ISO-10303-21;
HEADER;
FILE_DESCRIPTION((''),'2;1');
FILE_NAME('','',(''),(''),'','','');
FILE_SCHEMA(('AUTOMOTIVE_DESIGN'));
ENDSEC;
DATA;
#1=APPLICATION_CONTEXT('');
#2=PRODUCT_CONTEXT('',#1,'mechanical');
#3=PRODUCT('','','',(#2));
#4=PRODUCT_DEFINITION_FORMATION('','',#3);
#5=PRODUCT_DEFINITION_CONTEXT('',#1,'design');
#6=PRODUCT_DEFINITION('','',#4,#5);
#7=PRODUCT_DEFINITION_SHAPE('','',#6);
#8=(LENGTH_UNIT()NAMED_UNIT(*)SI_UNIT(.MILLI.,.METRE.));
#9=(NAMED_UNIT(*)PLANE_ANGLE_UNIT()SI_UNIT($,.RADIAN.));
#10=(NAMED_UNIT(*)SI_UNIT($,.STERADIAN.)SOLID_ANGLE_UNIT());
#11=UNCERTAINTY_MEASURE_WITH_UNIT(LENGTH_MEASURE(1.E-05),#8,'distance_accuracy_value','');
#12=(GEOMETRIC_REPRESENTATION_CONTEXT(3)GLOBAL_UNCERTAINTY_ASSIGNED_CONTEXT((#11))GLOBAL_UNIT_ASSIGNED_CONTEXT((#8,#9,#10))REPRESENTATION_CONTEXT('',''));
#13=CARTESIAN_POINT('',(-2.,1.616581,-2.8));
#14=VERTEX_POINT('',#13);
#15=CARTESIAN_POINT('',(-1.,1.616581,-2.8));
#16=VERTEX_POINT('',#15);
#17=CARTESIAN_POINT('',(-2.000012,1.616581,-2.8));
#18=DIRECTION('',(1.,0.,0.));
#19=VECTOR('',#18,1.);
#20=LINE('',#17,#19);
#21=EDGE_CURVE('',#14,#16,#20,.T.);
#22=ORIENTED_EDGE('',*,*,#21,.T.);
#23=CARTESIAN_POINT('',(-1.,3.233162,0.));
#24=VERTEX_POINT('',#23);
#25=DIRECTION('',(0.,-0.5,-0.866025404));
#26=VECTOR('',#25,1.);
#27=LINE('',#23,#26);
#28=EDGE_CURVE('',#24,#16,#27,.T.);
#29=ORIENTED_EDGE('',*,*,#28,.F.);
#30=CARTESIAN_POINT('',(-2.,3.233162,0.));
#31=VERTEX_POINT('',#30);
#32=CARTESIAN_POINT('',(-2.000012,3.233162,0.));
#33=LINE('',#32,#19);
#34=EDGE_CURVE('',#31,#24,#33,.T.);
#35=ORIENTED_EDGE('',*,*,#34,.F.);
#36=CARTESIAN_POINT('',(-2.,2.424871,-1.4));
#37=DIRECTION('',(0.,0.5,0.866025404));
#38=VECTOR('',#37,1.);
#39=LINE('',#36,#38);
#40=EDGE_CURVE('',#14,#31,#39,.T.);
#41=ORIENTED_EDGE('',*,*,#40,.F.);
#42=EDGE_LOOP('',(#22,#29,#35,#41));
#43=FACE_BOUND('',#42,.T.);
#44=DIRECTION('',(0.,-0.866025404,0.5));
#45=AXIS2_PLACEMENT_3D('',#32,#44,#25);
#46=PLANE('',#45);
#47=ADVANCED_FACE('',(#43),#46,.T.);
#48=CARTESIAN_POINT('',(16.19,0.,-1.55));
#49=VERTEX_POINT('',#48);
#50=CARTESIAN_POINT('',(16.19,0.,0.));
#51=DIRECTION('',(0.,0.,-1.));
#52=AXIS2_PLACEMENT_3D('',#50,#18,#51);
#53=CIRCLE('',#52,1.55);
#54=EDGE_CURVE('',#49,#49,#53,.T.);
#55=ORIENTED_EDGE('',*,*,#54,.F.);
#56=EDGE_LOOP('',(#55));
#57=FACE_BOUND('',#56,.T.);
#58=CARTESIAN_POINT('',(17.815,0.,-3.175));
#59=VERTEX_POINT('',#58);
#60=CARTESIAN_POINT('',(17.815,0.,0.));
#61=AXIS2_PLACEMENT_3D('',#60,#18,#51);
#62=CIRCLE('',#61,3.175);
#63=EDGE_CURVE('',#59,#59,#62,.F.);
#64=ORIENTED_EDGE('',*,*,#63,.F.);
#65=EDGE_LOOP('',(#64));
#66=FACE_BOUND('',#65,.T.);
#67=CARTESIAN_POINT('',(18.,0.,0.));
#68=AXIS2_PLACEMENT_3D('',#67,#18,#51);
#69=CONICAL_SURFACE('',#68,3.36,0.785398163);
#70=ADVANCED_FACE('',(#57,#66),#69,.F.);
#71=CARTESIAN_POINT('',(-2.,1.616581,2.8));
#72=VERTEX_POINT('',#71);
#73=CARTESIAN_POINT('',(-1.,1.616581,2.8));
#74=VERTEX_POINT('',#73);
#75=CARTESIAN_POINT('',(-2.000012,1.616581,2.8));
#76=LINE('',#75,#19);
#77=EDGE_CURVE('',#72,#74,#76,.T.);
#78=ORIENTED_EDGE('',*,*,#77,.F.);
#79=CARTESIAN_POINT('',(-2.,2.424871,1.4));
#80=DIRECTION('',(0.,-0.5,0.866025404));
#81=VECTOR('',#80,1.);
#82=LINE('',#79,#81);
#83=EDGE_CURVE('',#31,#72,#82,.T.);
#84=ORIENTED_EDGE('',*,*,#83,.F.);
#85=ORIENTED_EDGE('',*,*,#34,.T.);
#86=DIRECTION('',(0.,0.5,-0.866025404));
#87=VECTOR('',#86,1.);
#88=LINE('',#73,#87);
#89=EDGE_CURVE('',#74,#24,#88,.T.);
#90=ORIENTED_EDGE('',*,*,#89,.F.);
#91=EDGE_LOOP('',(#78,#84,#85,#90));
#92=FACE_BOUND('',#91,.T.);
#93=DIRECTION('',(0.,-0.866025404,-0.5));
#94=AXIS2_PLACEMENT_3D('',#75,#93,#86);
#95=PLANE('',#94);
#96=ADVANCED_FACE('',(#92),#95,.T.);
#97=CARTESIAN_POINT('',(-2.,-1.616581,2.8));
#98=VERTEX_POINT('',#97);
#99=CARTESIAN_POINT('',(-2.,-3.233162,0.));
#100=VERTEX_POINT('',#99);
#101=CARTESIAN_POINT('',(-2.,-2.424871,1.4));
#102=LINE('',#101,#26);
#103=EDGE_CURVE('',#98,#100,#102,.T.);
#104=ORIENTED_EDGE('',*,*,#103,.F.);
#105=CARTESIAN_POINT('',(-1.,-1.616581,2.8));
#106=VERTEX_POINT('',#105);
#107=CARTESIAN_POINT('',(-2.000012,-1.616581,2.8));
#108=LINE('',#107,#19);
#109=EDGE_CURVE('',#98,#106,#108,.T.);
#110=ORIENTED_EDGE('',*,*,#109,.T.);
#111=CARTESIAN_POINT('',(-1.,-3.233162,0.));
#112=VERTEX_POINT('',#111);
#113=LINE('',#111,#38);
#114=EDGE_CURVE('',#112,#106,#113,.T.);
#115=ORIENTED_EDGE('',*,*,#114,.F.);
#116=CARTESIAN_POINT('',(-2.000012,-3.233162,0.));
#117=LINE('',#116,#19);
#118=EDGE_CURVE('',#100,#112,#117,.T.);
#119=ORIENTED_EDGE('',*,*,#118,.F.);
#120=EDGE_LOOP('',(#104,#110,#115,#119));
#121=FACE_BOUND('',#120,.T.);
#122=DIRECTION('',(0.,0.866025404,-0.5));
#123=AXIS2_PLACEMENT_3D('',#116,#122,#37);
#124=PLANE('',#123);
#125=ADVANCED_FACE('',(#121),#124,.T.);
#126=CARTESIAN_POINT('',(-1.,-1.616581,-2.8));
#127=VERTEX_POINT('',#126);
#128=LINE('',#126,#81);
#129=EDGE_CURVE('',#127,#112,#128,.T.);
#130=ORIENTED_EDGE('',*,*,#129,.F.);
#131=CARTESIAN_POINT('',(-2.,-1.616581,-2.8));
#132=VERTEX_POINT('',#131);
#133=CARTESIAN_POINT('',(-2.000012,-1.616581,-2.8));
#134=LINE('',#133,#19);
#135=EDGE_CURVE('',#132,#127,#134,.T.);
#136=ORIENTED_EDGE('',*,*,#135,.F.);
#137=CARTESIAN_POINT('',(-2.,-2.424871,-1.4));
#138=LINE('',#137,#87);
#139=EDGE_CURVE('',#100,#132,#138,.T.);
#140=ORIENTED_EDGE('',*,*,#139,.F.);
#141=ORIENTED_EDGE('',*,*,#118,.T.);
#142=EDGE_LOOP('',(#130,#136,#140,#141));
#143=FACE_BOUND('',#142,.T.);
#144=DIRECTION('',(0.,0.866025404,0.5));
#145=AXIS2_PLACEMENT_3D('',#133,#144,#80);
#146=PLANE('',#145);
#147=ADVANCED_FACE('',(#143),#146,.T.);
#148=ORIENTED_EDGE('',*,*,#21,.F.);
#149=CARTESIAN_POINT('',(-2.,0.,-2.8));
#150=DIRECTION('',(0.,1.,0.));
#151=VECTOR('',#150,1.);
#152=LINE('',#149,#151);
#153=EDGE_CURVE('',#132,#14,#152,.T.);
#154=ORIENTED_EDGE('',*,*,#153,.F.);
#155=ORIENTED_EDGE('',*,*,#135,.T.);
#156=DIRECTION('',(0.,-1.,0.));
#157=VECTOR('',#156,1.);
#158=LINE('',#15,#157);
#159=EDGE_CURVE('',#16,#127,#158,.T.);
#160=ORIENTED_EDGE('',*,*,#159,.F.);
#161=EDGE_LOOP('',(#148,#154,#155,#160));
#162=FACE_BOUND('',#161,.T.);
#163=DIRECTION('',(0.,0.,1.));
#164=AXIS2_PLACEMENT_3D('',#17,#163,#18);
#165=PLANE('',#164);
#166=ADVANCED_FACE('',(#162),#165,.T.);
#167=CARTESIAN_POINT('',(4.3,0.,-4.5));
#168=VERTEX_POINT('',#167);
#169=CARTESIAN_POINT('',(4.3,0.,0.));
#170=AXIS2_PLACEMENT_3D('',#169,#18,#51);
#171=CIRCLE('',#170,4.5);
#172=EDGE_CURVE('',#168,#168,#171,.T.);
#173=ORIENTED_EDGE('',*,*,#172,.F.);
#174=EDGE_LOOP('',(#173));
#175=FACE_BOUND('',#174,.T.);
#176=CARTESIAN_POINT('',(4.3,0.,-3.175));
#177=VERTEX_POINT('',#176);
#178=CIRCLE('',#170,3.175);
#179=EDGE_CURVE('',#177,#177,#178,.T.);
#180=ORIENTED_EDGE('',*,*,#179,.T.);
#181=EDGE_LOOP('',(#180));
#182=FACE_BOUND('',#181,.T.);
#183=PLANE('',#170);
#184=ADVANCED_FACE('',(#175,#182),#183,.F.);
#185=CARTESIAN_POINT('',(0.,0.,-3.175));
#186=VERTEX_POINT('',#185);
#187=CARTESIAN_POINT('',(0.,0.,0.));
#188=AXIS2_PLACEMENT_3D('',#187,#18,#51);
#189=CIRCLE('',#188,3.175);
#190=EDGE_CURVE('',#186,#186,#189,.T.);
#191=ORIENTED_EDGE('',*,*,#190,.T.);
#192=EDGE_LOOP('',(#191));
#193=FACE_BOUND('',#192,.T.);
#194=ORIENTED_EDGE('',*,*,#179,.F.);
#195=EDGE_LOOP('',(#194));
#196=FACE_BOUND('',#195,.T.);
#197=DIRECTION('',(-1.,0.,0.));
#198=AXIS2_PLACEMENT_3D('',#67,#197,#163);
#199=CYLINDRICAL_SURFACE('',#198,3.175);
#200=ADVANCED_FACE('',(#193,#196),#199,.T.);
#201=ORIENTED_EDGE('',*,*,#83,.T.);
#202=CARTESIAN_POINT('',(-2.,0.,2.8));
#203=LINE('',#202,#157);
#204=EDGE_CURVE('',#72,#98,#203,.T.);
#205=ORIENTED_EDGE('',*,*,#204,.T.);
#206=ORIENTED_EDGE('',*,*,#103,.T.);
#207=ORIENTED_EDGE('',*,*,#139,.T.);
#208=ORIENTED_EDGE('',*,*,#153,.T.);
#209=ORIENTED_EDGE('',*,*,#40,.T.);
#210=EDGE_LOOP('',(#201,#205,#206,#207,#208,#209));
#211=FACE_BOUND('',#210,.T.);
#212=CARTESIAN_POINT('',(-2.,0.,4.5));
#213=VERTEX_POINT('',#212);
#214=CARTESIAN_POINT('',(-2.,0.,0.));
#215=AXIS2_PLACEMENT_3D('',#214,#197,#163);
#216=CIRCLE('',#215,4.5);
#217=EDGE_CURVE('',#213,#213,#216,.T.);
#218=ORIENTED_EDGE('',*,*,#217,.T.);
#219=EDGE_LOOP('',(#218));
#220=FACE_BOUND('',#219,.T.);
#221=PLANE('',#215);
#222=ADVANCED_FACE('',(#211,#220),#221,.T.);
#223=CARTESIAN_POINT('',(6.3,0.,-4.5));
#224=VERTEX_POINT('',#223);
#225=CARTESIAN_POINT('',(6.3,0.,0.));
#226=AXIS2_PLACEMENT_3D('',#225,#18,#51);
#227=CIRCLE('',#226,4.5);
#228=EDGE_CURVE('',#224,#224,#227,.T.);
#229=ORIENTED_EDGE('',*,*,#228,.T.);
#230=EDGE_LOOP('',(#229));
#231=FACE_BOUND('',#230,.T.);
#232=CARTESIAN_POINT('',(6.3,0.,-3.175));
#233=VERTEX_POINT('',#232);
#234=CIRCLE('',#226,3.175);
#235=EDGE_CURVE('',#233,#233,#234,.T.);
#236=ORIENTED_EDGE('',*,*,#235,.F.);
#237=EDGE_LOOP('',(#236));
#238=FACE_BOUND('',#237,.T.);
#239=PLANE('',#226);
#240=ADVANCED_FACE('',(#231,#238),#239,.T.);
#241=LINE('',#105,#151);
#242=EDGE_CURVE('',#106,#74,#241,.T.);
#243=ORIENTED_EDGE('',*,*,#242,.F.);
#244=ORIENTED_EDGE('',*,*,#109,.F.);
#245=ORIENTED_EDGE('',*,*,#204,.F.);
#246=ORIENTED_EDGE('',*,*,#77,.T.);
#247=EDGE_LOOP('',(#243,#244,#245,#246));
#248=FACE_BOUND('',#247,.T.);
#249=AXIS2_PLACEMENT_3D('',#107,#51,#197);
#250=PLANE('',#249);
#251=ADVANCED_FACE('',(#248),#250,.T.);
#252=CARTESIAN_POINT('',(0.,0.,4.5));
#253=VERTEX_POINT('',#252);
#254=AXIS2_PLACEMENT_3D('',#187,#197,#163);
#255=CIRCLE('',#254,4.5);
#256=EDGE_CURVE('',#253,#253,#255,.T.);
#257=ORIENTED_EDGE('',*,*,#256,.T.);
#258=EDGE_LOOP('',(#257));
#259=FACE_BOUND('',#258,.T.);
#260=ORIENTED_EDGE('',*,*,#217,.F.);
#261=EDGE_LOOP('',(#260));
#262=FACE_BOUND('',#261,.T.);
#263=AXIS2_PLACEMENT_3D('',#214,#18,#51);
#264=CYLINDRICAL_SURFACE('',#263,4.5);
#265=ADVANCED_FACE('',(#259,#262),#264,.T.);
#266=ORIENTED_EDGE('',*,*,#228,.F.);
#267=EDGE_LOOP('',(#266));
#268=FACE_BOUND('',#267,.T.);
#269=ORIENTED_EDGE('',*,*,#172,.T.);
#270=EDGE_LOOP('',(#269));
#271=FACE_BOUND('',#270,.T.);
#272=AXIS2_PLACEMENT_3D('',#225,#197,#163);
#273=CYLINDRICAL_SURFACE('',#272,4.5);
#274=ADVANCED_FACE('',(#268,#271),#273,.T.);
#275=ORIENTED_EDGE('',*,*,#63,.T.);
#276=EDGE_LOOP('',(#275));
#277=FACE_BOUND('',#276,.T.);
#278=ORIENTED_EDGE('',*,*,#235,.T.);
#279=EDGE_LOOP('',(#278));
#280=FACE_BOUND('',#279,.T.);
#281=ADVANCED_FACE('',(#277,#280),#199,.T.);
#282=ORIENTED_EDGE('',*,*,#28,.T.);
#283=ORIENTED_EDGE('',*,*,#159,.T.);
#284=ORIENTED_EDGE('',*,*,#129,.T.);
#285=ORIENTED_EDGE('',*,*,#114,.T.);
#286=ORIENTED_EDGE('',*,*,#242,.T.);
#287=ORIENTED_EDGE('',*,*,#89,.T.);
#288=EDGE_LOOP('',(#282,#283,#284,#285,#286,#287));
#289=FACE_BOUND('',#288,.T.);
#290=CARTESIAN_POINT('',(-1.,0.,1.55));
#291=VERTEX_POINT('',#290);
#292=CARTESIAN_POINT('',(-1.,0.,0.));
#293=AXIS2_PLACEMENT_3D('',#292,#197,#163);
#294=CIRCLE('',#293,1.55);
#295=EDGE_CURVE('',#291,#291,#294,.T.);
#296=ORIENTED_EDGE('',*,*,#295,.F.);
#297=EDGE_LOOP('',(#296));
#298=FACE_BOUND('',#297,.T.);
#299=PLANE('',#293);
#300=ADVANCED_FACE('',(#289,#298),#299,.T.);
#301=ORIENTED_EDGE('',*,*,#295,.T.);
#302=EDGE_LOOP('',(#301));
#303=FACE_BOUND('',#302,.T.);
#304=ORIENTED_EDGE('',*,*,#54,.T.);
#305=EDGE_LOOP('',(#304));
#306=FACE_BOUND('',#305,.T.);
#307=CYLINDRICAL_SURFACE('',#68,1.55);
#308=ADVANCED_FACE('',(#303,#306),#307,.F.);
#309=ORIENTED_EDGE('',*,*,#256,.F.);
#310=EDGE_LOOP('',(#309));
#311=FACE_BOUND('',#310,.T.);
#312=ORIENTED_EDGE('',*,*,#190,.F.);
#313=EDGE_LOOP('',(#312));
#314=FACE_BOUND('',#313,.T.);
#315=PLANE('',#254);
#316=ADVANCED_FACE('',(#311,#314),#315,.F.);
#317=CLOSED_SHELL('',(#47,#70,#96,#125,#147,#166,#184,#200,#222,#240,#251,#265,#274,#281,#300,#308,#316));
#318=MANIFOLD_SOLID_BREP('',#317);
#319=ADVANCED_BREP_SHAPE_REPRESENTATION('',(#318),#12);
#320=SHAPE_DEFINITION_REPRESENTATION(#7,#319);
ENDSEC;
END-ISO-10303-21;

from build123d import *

# Parameters (mm, degrees)
SKETCH1_R                     = 3.175
BOSS_EXTRUDE1_DEPTH           = 18
SKETCH4_R                     = 4.5
BOSS_EXTRUDE2_DEPTH           = 2
BOSS_EXTRUDE3_START           = -6.3
SKETCH4_3_R                   = 4.5
BOSS_EXTRUDE3_DEPTH           = 2
CUT_EXTRUDE3_DEPTH            = 21.988091862
CUT_EXTRUDE3_DEPTH_BACK       = 21.988091862
SKETCH5_R                     = 1.5
CUT_EXTRUDE4_DEPTH            = 21.988091862
CUT_EXTRUDE4_DEPTH_BACK       = 1
CSK_FOR_M3_SFHCS1_D           = 3.1
CSK_FOR_M3_SFHCS1_DEPTH       = 25.068666041
CSK_FOR_M3_SFHCS1_CSINK_D     = 6.72
CSK_FOR_M3_SFHCS1_CSINK_ANGLE = 90
CSK_FOR_M3_SFHCS1_TIP         = 0.931333959


with BuildPart() as part:
    # Sketch1 → Boss-Extrude1 (new body)
    with BuildSketch(Plane(origin=(0, 0, 0), x_dir=(0, 0, -1), z_dir=(1, 0, 0))):
        Circle(SKETCH1_R)
    extrude(amount=BOSS_EXTRUDE1_DEPTH)

    # Sketch4 → Boss-Extrude2 (add)
    with BuildSketch(Plane.ZY):
        Circle(SKETCH4_R)
    extrude(amount=BOSS_EXTRUDE2_DEPTH)

    # Sketch4<3> → Boss-Extrude3 (add)
    with BuildSketch(Plane.ZY.offset(BOSS_EXTRUDE3_START)):
        Circle(SKETCH4_3_R)
    extrude(amount=BOSS_EXTRUDE3_DEPTH)

    # Sketch5 → Cut-Extrude3 (cut, two sides: drawn at the far end of the back side and taken through both)
    with BuildSketch(Plane.ZY.offset(2).offset(-CUT_EXTRUDE3_DEPTH_BACK)):
        Circle(SKETCH5_R)
    extrude(amount=CUT_EXTRUDE3_DEPTH + CUT_EXTRUDE3_DEPTH_BACK, mode=Mode.SUBTRACT)

    # Sketch6 → Cut-Extrude4 (cut, two sides: drawn at the far end of the back side and taken through both)
    with BuildSketch(Plane.ZY.offset(2).offset(-CUT_EXTRUDE4_DEPTH_BACK)):
        Polygon((2.8, -1.616580754), (2.8, 1.616580754), (0, 3.233161507), (-2.8, 1.616580754), (-2.8, -1.616580754), (0, -3.233161507), align=None)
    extrude(amount=CUT_EXTRUDE4_DEPTH + CUT_EXTRUDE4_DEPTH_BACK, mode=Mode.SUBTRACT)

    # CSK for M3 SFHCS1
    with Locations(Plane(origin=(18, 0, 0), x_dir=(0, 0, -1), z_dir=(1, 0, 0))):
        with Locations((0, 0)):
            CounterSinkHole(CSK_FOR_M3_SFHCS1_D / 2, CSK_FOR_M3_SFHCS1_CSINK_D / 2, depth=CSK_FOR_M3_SFHCS1_DEPTH, counter_sink_angle=CSK_FOR_M3_SFHCS1_CSINK_ANGLE)
            with Locations((0, 0, -(CSK_FOR_M3_SFHCS1_DEPTH + CSK_FOR_M3_SFHCS1_TIP / 2))):  # 118° drill point
                Cone(0, CSK_FOR_M3_SFHCS1_D / 2, CSK_FOR_M3_SFHCS1_TIP, mode=Mode.SUBTRACT)


solid = part.part
